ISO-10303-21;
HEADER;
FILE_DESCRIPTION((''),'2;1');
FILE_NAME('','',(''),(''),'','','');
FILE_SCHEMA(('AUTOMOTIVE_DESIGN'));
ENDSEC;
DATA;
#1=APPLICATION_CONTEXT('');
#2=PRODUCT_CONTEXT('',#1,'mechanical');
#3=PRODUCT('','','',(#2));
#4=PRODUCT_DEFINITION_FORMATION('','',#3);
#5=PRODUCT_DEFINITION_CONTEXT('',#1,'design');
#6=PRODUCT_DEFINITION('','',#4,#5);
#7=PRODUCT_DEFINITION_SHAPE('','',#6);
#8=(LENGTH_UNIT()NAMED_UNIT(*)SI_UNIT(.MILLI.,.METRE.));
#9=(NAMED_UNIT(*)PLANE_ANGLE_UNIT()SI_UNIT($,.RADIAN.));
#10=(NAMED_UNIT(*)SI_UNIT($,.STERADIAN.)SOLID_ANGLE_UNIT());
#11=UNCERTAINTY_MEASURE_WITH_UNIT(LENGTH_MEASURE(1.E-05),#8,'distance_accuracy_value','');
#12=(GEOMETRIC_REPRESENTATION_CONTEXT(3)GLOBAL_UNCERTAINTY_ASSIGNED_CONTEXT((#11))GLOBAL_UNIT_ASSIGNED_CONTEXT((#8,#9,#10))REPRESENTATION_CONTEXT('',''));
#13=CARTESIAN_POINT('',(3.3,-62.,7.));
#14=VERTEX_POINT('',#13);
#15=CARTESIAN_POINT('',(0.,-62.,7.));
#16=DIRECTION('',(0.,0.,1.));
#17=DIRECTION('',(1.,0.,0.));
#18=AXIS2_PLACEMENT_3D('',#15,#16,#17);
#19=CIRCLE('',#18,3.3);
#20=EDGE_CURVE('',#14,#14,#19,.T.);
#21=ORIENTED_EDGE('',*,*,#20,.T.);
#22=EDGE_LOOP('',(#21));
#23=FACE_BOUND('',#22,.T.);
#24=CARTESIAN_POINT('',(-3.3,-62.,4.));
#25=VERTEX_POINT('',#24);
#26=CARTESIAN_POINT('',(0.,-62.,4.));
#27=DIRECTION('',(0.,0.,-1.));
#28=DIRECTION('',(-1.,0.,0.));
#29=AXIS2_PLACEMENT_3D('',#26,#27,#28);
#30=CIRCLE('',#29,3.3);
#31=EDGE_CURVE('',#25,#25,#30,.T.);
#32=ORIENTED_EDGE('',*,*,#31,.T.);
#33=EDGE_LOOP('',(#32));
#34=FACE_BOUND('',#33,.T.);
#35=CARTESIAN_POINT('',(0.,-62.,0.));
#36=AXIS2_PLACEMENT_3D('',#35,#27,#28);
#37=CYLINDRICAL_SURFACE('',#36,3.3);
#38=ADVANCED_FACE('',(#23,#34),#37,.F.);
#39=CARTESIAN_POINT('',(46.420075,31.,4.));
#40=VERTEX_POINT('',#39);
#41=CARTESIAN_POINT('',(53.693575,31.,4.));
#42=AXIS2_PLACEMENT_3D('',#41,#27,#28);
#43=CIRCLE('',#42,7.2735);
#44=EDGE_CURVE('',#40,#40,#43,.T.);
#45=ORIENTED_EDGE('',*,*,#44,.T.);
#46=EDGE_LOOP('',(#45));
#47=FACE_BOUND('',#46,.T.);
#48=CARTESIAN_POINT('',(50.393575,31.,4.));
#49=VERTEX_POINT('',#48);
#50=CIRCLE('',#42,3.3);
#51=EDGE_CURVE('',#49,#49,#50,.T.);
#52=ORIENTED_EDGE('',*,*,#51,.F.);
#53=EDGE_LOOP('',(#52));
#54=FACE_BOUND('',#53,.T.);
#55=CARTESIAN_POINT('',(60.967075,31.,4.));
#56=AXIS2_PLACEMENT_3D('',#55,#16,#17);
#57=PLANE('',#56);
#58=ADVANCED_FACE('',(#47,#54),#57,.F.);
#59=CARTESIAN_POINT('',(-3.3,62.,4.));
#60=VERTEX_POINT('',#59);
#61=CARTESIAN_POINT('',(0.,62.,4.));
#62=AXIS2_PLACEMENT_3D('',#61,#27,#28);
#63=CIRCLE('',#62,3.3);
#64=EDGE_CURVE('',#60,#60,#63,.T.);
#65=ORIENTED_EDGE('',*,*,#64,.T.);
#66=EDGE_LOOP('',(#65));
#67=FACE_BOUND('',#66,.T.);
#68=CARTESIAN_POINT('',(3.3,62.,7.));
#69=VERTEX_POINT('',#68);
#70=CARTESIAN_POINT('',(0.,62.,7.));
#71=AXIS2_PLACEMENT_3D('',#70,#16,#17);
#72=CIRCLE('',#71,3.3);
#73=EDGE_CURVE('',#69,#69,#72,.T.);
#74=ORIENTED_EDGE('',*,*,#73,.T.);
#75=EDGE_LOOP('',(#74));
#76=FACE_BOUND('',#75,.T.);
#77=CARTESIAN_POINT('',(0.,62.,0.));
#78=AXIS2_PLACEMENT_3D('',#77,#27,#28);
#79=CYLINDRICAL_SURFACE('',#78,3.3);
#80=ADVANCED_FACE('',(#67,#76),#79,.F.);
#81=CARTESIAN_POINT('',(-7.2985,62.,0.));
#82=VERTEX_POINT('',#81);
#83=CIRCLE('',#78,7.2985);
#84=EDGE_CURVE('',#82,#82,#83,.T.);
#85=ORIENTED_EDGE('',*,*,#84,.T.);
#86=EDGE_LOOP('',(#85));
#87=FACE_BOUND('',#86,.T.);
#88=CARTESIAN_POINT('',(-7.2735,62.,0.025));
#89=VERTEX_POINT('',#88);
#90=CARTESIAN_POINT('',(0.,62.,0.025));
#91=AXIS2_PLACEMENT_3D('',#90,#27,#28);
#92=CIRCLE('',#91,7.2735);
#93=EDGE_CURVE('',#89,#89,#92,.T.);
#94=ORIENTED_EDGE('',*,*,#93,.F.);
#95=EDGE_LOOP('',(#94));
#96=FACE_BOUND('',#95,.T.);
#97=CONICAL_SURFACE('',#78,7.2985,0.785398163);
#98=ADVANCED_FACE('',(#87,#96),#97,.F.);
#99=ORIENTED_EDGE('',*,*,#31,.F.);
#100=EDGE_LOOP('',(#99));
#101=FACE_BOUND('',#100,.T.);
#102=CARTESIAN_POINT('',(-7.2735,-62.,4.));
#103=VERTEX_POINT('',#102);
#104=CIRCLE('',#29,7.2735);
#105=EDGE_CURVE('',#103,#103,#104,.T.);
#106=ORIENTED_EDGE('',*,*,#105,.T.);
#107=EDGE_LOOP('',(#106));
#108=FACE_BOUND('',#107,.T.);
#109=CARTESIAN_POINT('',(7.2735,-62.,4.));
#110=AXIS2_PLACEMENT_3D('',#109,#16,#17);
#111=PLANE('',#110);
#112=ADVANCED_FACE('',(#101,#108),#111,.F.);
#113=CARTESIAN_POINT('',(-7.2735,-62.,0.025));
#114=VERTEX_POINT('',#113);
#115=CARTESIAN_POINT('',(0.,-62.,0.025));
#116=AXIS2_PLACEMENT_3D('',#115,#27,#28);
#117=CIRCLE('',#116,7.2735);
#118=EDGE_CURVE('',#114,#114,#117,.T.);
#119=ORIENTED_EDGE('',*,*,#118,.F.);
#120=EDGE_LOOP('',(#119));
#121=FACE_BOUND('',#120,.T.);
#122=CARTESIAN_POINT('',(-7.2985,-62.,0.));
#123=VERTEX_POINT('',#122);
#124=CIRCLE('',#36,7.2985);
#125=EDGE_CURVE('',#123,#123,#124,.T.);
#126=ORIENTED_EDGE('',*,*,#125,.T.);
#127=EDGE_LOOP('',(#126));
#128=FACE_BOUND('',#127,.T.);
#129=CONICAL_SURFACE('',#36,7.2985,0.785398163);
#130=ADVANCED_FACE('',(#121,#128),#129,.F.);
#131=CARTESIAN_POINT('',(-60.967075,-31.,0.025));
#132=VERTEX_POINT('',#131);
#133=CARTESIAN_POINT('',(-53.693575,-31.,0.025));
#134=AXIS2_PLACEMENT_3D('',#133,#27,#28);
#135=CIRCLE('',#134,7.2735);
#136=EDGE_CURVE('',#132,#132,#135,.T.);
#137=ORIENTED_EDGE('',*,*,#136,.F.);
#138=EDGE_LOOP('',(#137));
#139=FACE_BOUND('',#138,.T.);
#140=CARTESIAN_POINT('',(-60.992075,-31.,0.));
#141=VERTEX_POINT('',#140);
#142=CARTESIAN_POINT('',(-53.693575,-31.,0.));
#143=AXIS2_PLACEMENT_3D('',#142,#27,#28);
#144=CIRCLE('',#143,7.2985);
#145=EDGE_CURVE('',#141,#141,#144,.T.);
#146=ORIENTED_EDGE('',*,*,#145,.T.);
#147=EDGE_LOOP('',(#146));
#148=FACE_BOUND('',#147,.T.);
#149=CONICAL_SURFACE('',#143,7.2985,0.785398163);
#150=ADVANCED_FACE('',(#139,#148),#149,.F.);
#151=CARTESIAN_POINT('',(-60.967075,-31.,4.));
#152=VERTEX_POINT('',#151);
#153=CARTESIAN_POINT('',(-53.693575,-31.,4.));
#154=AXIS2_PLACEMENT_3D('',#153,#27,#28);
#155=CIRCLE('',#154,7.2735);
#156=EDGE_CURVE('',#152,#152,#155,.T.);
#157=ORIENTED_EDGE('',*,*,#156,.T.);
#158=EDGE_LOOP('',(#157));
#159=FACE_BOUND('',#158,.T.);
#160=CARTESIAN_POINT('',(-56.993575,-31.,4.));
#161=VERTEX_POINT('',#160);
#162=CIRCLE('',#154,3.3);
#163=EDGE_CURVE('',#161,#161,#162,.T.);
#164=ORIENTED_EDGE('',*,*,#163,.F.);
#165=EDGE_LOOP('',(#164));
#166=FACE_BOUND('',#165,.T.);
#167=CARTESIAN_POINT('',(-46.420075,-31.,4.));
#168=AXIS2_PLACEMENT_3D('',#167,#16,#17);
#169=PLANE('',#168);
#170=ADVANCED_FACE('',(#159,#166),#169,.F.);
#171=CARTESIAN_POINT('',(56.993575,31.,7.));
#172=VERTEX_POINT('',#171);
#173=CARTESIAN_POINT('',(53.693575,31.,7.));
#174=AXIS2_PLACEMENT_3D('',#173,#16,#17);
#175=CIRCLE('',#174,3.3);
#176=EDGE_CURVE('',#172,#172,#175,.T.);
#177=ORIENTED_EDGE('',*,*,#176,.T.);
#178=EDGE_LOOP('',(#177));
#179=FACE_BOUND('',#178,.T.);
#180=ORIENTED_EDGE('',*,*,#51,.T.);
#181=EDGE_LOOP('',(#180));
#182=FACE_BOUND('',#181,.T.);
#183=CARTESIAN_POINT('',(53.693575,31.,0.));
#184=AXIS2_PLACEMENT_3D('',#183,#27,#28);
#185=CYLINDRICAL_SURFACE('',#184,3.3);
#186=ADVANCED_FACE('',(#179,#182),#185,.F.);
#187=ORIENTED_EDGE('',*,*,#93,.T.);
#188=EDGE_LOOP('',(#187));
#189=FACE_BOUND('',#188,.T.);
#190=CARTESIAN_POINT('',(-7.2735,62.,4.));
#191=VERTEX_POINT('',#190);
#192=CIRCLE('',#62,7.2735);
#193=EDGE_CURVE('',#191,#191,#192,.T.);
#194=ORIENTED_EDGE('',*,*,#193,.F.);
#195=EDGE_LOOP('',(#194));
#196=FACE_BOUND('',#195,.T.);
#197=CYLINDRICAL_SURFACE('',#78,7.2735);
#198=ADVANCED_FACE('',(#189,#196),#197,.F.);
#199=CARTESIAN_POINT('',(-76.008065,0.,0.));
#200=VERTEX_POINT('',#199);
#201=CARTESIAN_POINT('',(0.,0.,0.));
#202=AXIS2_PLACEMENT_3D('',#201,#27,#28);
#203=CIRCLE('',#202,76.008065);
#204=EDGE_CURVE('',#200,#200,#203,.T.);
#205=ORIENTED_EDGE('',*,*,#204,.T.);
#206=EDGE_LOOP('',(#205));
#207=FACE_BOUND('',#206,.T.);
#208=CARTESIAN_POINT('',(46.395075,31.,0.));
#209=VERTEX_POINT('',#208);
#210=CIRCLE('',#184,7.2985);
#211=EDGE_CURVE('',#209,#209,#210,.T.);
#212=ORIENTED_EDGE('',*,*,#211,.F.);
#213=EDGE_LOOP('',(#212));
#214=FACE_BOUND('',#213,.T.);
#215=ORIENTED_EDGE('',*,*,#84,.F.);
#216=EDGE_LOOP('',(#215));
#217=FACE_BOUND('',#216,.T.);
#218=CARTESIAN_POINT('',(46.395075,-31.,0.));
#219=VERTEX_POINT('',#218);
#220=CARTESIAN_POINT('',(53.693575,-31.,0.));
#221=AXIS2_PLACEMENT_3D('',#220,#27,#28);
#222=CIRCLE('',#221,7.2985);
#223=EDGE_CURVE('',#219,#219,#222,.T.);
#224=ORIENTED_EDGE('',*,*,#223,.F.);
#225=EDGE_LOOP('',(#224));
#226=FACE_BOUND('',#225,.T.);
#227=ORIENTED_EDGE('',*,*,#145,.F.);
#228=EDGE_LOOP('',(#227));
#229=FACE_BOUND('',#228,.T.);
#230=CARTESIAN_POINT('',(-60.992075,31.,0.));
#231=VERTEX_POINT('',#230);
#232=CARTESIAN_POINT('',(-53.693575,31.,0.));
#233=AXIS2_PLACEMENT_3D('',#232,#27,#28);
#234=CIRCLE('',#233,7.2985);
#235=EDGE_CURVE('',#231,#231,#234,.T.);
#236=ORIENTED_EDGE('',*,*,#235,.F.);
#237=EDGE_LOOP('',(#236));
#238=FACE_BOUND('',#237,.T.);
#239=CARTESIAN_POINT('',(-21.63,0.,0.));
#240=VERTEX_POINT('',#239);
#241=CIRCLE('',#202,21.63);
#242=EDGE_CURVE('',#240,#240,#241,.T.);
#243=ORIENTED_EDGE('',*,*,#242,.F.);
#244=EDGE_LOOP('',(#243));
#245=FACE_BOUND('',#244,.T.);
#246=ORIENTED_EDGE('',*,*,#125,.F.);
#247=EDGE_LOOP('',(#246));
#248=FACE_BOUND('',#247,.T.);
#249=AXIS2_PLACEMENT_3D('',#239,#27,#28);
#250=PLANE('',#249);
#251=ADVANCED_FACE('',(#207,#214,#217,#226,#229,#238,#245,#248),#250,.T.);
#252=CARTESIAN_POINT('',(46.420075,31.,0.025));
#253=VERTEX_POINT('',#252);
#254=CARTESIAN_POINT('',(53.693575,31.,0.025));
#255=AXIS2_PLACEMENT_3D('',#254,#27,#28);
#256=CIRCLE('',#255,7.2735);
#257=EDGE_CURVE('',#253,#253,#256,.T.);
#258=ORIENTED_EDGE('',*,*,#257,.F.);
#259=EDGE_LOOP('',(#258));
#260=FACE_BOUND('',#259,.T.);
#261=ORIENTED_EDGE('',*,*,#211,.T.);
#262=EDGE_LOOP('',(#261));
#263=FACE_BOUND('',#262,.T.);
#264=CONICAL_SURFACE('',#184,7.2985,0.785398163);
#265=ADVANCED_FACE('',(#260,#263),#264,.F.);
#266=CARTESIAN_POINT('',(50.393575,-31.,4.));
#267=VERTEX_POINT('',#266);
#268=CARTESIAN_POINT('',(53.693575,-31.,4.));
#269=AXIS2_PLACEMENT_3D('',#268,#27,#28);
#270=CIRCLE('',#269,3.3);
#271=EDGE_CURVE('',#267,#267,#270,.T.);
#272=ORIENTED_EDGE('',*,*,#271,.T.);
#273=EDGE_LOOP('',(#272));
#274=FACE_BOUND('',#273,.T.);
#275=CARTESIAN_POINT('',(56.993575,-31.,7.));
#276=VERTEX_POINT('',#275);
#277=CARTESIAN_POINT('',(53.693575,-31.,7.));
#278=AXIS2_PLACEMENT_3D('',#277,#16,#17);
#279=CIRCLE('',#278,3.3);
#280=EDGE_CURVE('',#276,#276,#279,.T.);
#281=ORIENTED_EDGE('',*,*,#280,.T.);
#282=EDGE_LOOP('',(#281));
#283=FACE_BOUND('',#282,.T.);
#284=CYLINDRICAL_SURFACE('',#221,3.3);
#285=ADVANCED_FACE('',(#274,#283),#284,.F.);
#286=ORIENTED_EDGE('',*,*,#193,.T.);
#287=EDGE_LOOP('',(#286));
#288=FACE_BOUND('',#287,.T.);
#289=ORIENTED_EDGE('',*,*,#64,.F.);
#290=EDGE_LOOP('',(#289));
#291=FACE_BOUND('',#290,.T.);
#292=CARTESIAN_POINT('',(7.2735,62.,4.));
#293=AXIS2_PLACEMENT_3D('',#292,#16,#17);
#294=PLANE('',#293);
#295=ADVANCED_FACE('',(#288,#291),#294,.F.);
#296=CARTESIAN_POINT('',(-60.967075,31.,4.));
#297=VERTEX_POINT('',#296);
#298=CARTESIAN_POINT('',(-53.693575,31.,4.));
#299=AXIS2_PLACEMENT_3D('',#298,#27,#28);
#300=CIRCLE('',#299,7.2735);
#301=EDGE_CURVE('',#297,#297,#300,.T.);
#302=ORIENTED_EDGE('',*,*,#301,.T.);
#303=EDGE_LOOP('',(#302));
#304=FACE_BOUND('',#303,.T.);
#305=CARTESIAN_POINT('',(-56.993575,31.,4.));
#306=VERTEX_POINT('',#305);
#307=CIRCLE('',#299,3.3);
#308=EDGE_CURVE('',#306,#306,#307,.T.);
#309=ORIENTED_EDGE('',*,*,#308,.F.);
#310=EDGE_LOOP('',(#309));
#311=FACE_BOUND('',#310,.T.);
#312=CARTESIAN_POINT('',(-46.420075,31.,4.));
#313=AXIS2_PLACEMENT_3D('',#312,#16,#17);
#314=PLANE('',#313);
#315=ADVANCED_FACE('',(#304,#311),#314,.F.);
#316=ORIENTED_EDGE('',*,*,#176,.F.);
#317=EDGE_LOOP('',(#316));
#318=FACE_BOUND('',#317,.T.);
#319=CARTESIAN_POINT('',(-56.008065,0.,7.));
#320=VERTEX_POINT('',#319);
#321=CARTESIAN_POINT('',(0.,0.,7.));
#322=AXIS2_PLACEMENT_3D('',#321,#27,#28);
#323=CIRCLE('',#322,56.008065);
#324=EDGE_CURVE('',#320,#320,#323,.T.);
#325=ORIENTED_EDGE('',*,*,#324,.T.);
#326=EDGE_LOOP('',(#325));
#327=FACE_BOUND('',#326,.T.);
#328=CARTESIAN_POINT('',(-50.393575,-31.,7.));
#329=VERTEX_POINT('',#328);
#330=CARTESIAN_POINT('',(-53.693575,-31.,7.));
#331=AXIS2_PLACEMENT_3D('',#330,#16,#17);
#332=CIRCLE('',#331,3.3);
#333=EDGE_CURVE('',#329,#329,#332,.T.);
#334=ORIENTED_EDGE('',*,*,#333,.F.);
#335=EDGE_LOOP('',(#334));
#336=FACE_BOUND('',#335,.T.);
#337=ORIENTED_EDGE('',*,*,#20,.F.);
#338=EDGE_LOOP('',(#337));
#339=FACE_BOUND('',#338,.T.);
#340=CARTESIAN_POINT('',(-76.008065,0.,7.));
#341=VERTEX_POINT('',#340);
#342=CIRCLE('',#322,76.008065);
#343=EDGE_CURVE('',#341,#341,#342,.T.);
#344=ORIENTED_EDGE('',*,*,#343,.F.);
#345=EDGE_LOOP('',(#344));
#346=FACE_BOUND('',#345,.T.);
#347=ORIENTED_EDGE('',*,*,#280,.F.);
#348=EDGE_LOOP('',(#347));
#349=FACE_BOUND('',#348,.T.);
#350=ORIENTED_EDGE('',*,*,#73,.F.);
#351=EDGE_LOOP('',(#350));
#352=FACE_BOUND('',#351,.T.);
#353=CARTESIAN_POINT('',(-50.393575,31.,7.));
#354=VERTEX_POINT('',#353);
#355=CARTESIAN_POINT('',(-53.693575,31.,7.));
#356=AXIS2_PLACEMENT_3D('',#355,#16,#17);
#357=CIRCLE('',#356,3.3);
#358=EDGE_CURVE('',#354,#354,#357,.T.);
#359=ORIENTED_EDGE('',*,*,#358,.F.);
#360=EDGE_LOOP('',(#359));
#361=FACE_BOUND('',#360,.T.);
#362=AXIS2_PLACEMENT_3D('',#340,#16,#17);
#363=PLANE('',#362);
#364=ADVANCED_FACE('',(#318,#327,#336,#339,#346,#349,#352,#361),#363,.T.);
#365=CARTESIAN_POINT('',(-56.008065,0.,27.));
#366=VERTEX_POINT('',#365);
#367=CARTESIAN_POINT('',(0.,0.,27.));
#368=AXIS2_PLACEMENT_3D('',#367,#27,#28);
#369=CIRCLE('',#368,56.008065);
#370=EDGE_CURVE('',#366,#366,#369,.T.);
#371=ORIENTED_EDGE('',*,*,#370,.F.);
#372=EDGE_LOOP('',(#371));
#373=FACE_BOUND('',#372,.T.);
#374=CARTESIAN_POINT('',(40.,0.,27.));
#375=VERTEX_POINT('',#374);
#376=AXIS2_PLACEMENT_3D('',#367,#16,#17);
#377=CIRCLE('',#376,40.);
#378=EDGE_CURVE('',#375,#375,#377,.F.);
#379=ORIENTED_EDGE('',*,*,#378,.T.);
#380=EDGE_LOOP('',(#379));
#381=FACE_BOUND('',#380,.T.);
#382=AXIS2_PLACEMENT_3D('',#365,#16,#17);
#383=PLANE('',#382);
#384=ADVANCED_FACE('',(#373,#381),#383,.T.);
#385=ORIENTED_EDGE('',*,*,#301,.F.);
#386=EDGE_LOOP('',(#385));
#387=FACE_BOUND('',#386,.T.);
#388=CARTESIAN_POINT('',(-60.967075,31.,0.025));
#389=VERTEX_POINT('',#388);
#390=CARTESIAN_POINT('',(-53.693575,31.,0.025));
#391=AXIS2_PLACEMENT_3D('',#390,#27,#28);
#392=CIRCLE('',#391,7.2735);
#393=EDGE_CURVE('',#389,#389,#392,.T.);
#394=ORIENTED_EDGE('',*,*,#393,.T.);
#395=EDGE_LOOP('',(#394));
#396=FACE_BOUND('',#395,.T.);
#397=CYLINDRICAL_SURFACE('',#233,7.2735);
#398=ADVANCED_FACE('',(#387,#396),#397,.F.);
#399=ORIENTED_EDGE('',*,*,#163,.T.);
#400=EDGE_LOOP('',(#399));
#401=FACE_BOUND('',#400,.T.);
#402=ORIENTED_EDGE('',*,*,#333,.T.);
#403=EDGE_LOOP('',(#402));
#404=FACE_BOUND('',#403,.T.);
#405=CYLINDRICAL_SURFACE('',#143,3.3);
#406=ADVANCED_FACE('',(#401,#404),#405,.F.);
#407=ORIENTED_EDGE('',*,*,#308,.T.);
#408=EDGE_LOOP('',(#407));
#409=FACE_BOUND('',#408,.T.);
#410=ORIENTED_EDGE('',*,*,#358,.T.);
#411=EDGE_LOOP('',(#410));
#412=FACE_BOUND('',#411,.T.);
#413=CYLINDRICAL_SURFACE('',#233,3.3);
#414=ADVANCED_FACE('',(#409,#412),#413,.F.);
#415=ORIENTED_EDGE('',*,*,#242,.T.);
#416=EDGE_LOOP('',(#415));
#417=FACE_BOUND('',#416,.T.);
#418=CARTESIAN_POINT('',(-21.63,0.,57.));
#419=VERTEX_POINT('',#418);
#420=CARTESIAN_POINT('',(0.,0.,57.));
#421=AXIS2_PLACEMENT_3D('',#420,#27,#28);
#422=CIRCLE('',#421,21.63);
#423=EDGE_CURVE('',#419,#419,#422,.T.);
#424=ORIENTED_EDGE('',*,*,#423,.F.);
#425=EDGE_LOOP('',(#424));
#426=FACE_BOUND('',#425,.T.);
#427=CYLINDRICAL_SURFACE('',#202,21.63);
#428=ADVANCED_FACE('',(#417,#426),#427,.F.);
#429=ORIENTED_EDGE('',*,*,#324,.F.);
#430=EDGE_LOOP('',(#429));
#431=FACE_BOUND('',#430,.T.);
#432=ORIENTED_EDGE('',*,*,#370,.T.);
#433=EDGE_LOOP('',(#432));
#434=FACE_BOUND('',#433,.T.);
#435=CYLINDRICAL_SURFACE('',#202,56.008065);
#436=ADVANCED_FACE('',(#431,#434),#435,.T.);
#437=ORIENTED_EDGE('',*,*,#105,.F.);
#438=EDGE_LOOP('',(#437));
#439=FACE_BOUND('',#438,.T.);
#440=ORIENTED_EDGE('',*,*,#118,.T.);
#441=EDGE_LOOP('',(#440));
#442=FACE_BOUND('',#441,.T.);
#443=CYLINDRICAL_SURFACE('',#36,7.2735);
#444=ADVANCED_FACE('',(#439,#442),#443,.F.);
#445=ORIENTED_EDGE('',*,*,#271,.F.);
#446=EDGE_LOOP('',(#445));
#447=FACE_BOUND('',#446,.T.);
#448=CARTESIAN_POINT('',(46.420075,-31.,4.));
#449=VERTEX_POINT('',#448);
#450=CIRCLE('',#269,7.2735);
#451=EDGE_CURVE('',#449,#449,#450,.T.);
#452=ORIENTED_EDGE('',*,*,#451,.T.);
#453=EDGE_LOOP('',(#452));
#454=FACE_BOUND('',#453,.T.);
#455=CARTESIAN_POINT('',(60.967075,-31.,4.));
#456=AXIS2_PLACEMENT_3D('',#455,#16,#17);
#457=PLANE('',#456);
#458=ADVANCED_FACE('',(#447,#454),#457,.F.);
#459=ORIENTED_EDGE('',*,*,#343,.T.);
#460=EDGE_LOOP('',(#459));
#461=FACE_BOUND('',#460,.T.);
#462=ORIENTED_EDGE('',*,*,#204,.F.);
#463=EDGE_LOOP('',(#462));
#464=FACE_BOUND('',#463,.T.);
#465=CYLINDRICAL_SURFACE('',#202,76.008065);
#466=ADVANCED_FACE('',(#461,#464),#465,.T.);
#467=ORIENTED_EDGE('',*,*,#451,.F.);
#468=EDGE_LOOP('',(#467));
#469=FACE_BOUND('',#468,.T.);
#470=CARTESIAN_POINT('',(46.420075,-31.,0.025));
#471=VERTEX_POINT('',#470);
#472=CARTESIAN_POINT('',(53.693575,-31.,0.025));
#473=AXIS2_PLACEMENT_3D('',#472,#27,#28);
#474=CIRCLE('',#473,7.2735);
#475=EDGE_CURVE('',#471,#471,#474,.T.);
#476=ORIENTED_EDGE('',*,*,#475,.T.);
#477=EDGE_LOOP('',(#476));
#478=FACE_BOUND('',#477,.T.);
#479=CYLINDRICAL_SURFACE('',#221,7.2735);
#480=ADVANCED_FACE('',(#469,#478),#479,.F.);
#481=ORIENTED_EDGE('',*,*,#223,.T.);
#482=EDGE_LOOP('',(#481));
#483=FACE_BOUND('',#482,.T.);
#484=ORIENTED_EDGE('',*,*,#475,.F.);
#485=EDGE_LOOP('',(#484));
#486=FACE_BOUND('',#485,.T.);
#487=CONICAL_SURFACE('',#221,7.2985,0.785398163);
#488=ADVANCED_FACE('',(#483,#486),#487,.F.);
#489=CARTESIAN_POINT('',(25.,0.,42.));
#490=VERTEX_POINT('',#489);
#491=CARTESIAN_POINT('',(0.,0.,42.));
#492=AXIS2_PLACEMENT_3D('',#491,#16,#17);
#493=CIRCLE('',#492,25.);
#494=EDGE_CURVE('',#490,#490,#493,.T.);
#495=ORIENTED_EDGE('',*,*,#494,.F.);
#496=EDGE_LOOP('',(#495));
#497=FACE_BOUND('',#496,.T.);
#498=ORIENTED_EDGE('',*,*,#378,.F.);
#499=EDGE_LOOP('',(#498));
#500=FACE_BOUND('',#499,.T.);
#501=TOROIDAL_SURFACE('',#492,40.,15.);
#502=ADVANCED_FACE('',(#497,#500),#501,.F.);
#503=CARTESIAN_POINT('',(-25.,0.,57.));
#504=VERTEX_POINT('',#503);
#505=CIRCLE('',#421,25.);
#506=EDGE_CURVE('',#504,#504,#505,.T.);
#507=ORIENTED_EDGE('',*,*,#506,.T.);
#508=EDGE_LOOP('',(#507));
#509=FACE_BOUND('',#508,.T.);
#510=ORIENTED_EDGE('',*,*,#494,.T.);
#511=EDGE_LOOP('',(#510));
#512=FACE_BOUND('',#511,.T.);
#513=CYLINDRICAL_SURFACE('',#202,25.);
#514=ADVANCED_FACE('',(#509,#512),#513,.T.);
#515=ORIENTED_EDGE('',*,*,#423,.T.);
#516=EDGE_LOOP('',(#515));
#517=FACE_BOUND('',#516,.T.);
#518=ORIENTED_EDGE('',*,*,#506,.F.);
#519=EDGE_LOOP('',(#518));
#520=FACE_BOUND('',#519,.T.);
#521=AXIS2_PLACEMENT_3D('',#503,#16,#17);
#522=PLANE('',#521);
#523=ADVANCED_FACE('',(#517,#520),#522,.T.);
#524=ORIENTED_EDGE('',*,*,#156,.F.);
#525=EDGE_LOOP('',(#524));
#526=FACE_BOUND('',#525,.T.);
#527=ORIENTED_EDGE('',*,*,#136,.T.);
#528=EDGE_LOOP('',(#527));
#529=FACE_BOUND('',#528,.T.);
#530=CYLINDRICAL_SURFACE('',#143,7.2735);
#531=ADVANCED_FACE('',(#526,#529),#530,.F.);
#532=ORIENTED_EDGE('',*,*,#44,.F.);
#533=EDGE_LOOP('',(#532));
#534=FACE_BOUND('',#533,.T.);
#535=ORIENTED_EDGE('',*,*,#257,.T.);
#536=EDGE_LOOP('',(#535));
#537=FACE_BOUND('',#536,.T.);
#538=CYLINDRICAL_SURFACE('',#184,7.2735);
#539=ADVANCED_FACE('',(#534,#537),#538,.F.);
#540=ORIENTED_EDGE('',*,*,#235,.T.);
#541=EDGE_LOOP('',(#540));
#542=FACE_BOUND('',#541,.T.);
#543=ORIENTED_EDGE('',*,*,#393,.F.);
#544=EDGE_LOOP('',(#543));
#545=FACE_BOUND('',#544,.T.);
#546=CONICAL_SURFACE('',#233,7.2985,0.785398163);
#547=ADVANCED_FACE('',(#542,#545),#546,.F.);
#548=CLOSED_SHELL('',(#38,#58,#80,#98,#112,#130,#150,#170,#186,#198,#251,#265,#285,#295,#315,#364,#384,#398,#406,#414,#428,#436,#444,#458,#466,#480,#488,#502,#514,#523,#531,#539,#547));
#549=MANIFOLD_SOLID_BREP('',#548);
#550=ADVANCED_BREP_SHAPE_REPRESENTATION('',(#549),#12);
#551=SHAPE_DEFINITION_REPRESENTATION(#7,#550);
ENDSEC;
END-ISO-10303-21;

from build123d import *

# Parameters (mm, degrees)
FILLET1_R         = 15
CIRPATTERN1_COUNT = 6


with BuildPart() as part:
    # Sketch1 → Revolve1 (revolve)
    with BuildSketch(Plane(origin=(0, 0, 0), x_dir=(1, 0, 0), z_dir=(0, 1, 0))):
        Polygon((-76.008064516, 0), (-76.008064516, -7), (-56.008064516, -7), (-56.008064516, -27), (-25, -27), (-25, -57), (-21.63, -57), (-21.63, 0), align=None)
    revolve(axis=Axis((0, 0, 0), (0, 0, 1)))

    # Fillet1
    fillet1_edges = [part.edges().sort_by_distance(p)[0] for p in [
        (25, 0, 27),
    ]]
    fillet(fillet1_edges, radius=FILLET1_R)

    # Sketch3 → CBORE for M6 Hex Head Bolt1 (revolve, cut)
    with BuildSketch(Plane(origin=(0, 62, 0), x_dir=(0, 1, 0), z_dir=(1, 0, 0))):
        Polygon((0, 0), (0, 57), (3.3, 57), (3.3, 4), (7.2735, 4), (7.2735, 0.025), (7.2985, 0), align=None)
    cbore_for_m6_hex_head_bolt1 = revolve(axis=Axis((0, 62, -6.35), (0, 0, 1)), mode=Mode.SUBTRACT)

    # CirPattern1: CBORE for M6 Hex Head Bolt1 ×6 about axis
    cirpattern1_axis = Axis((0, 0, 0), (0, 0, 1))
    for i in range(1, CIRPATTERN1_COUNT):
        add(cbore_for_m6_hex_head_bolt1.rotate(cirpattern1_axis, i * 360 / CIRPATTERN1_COUNT), mode=Mode.SUBTRACT)


solid = part.part
